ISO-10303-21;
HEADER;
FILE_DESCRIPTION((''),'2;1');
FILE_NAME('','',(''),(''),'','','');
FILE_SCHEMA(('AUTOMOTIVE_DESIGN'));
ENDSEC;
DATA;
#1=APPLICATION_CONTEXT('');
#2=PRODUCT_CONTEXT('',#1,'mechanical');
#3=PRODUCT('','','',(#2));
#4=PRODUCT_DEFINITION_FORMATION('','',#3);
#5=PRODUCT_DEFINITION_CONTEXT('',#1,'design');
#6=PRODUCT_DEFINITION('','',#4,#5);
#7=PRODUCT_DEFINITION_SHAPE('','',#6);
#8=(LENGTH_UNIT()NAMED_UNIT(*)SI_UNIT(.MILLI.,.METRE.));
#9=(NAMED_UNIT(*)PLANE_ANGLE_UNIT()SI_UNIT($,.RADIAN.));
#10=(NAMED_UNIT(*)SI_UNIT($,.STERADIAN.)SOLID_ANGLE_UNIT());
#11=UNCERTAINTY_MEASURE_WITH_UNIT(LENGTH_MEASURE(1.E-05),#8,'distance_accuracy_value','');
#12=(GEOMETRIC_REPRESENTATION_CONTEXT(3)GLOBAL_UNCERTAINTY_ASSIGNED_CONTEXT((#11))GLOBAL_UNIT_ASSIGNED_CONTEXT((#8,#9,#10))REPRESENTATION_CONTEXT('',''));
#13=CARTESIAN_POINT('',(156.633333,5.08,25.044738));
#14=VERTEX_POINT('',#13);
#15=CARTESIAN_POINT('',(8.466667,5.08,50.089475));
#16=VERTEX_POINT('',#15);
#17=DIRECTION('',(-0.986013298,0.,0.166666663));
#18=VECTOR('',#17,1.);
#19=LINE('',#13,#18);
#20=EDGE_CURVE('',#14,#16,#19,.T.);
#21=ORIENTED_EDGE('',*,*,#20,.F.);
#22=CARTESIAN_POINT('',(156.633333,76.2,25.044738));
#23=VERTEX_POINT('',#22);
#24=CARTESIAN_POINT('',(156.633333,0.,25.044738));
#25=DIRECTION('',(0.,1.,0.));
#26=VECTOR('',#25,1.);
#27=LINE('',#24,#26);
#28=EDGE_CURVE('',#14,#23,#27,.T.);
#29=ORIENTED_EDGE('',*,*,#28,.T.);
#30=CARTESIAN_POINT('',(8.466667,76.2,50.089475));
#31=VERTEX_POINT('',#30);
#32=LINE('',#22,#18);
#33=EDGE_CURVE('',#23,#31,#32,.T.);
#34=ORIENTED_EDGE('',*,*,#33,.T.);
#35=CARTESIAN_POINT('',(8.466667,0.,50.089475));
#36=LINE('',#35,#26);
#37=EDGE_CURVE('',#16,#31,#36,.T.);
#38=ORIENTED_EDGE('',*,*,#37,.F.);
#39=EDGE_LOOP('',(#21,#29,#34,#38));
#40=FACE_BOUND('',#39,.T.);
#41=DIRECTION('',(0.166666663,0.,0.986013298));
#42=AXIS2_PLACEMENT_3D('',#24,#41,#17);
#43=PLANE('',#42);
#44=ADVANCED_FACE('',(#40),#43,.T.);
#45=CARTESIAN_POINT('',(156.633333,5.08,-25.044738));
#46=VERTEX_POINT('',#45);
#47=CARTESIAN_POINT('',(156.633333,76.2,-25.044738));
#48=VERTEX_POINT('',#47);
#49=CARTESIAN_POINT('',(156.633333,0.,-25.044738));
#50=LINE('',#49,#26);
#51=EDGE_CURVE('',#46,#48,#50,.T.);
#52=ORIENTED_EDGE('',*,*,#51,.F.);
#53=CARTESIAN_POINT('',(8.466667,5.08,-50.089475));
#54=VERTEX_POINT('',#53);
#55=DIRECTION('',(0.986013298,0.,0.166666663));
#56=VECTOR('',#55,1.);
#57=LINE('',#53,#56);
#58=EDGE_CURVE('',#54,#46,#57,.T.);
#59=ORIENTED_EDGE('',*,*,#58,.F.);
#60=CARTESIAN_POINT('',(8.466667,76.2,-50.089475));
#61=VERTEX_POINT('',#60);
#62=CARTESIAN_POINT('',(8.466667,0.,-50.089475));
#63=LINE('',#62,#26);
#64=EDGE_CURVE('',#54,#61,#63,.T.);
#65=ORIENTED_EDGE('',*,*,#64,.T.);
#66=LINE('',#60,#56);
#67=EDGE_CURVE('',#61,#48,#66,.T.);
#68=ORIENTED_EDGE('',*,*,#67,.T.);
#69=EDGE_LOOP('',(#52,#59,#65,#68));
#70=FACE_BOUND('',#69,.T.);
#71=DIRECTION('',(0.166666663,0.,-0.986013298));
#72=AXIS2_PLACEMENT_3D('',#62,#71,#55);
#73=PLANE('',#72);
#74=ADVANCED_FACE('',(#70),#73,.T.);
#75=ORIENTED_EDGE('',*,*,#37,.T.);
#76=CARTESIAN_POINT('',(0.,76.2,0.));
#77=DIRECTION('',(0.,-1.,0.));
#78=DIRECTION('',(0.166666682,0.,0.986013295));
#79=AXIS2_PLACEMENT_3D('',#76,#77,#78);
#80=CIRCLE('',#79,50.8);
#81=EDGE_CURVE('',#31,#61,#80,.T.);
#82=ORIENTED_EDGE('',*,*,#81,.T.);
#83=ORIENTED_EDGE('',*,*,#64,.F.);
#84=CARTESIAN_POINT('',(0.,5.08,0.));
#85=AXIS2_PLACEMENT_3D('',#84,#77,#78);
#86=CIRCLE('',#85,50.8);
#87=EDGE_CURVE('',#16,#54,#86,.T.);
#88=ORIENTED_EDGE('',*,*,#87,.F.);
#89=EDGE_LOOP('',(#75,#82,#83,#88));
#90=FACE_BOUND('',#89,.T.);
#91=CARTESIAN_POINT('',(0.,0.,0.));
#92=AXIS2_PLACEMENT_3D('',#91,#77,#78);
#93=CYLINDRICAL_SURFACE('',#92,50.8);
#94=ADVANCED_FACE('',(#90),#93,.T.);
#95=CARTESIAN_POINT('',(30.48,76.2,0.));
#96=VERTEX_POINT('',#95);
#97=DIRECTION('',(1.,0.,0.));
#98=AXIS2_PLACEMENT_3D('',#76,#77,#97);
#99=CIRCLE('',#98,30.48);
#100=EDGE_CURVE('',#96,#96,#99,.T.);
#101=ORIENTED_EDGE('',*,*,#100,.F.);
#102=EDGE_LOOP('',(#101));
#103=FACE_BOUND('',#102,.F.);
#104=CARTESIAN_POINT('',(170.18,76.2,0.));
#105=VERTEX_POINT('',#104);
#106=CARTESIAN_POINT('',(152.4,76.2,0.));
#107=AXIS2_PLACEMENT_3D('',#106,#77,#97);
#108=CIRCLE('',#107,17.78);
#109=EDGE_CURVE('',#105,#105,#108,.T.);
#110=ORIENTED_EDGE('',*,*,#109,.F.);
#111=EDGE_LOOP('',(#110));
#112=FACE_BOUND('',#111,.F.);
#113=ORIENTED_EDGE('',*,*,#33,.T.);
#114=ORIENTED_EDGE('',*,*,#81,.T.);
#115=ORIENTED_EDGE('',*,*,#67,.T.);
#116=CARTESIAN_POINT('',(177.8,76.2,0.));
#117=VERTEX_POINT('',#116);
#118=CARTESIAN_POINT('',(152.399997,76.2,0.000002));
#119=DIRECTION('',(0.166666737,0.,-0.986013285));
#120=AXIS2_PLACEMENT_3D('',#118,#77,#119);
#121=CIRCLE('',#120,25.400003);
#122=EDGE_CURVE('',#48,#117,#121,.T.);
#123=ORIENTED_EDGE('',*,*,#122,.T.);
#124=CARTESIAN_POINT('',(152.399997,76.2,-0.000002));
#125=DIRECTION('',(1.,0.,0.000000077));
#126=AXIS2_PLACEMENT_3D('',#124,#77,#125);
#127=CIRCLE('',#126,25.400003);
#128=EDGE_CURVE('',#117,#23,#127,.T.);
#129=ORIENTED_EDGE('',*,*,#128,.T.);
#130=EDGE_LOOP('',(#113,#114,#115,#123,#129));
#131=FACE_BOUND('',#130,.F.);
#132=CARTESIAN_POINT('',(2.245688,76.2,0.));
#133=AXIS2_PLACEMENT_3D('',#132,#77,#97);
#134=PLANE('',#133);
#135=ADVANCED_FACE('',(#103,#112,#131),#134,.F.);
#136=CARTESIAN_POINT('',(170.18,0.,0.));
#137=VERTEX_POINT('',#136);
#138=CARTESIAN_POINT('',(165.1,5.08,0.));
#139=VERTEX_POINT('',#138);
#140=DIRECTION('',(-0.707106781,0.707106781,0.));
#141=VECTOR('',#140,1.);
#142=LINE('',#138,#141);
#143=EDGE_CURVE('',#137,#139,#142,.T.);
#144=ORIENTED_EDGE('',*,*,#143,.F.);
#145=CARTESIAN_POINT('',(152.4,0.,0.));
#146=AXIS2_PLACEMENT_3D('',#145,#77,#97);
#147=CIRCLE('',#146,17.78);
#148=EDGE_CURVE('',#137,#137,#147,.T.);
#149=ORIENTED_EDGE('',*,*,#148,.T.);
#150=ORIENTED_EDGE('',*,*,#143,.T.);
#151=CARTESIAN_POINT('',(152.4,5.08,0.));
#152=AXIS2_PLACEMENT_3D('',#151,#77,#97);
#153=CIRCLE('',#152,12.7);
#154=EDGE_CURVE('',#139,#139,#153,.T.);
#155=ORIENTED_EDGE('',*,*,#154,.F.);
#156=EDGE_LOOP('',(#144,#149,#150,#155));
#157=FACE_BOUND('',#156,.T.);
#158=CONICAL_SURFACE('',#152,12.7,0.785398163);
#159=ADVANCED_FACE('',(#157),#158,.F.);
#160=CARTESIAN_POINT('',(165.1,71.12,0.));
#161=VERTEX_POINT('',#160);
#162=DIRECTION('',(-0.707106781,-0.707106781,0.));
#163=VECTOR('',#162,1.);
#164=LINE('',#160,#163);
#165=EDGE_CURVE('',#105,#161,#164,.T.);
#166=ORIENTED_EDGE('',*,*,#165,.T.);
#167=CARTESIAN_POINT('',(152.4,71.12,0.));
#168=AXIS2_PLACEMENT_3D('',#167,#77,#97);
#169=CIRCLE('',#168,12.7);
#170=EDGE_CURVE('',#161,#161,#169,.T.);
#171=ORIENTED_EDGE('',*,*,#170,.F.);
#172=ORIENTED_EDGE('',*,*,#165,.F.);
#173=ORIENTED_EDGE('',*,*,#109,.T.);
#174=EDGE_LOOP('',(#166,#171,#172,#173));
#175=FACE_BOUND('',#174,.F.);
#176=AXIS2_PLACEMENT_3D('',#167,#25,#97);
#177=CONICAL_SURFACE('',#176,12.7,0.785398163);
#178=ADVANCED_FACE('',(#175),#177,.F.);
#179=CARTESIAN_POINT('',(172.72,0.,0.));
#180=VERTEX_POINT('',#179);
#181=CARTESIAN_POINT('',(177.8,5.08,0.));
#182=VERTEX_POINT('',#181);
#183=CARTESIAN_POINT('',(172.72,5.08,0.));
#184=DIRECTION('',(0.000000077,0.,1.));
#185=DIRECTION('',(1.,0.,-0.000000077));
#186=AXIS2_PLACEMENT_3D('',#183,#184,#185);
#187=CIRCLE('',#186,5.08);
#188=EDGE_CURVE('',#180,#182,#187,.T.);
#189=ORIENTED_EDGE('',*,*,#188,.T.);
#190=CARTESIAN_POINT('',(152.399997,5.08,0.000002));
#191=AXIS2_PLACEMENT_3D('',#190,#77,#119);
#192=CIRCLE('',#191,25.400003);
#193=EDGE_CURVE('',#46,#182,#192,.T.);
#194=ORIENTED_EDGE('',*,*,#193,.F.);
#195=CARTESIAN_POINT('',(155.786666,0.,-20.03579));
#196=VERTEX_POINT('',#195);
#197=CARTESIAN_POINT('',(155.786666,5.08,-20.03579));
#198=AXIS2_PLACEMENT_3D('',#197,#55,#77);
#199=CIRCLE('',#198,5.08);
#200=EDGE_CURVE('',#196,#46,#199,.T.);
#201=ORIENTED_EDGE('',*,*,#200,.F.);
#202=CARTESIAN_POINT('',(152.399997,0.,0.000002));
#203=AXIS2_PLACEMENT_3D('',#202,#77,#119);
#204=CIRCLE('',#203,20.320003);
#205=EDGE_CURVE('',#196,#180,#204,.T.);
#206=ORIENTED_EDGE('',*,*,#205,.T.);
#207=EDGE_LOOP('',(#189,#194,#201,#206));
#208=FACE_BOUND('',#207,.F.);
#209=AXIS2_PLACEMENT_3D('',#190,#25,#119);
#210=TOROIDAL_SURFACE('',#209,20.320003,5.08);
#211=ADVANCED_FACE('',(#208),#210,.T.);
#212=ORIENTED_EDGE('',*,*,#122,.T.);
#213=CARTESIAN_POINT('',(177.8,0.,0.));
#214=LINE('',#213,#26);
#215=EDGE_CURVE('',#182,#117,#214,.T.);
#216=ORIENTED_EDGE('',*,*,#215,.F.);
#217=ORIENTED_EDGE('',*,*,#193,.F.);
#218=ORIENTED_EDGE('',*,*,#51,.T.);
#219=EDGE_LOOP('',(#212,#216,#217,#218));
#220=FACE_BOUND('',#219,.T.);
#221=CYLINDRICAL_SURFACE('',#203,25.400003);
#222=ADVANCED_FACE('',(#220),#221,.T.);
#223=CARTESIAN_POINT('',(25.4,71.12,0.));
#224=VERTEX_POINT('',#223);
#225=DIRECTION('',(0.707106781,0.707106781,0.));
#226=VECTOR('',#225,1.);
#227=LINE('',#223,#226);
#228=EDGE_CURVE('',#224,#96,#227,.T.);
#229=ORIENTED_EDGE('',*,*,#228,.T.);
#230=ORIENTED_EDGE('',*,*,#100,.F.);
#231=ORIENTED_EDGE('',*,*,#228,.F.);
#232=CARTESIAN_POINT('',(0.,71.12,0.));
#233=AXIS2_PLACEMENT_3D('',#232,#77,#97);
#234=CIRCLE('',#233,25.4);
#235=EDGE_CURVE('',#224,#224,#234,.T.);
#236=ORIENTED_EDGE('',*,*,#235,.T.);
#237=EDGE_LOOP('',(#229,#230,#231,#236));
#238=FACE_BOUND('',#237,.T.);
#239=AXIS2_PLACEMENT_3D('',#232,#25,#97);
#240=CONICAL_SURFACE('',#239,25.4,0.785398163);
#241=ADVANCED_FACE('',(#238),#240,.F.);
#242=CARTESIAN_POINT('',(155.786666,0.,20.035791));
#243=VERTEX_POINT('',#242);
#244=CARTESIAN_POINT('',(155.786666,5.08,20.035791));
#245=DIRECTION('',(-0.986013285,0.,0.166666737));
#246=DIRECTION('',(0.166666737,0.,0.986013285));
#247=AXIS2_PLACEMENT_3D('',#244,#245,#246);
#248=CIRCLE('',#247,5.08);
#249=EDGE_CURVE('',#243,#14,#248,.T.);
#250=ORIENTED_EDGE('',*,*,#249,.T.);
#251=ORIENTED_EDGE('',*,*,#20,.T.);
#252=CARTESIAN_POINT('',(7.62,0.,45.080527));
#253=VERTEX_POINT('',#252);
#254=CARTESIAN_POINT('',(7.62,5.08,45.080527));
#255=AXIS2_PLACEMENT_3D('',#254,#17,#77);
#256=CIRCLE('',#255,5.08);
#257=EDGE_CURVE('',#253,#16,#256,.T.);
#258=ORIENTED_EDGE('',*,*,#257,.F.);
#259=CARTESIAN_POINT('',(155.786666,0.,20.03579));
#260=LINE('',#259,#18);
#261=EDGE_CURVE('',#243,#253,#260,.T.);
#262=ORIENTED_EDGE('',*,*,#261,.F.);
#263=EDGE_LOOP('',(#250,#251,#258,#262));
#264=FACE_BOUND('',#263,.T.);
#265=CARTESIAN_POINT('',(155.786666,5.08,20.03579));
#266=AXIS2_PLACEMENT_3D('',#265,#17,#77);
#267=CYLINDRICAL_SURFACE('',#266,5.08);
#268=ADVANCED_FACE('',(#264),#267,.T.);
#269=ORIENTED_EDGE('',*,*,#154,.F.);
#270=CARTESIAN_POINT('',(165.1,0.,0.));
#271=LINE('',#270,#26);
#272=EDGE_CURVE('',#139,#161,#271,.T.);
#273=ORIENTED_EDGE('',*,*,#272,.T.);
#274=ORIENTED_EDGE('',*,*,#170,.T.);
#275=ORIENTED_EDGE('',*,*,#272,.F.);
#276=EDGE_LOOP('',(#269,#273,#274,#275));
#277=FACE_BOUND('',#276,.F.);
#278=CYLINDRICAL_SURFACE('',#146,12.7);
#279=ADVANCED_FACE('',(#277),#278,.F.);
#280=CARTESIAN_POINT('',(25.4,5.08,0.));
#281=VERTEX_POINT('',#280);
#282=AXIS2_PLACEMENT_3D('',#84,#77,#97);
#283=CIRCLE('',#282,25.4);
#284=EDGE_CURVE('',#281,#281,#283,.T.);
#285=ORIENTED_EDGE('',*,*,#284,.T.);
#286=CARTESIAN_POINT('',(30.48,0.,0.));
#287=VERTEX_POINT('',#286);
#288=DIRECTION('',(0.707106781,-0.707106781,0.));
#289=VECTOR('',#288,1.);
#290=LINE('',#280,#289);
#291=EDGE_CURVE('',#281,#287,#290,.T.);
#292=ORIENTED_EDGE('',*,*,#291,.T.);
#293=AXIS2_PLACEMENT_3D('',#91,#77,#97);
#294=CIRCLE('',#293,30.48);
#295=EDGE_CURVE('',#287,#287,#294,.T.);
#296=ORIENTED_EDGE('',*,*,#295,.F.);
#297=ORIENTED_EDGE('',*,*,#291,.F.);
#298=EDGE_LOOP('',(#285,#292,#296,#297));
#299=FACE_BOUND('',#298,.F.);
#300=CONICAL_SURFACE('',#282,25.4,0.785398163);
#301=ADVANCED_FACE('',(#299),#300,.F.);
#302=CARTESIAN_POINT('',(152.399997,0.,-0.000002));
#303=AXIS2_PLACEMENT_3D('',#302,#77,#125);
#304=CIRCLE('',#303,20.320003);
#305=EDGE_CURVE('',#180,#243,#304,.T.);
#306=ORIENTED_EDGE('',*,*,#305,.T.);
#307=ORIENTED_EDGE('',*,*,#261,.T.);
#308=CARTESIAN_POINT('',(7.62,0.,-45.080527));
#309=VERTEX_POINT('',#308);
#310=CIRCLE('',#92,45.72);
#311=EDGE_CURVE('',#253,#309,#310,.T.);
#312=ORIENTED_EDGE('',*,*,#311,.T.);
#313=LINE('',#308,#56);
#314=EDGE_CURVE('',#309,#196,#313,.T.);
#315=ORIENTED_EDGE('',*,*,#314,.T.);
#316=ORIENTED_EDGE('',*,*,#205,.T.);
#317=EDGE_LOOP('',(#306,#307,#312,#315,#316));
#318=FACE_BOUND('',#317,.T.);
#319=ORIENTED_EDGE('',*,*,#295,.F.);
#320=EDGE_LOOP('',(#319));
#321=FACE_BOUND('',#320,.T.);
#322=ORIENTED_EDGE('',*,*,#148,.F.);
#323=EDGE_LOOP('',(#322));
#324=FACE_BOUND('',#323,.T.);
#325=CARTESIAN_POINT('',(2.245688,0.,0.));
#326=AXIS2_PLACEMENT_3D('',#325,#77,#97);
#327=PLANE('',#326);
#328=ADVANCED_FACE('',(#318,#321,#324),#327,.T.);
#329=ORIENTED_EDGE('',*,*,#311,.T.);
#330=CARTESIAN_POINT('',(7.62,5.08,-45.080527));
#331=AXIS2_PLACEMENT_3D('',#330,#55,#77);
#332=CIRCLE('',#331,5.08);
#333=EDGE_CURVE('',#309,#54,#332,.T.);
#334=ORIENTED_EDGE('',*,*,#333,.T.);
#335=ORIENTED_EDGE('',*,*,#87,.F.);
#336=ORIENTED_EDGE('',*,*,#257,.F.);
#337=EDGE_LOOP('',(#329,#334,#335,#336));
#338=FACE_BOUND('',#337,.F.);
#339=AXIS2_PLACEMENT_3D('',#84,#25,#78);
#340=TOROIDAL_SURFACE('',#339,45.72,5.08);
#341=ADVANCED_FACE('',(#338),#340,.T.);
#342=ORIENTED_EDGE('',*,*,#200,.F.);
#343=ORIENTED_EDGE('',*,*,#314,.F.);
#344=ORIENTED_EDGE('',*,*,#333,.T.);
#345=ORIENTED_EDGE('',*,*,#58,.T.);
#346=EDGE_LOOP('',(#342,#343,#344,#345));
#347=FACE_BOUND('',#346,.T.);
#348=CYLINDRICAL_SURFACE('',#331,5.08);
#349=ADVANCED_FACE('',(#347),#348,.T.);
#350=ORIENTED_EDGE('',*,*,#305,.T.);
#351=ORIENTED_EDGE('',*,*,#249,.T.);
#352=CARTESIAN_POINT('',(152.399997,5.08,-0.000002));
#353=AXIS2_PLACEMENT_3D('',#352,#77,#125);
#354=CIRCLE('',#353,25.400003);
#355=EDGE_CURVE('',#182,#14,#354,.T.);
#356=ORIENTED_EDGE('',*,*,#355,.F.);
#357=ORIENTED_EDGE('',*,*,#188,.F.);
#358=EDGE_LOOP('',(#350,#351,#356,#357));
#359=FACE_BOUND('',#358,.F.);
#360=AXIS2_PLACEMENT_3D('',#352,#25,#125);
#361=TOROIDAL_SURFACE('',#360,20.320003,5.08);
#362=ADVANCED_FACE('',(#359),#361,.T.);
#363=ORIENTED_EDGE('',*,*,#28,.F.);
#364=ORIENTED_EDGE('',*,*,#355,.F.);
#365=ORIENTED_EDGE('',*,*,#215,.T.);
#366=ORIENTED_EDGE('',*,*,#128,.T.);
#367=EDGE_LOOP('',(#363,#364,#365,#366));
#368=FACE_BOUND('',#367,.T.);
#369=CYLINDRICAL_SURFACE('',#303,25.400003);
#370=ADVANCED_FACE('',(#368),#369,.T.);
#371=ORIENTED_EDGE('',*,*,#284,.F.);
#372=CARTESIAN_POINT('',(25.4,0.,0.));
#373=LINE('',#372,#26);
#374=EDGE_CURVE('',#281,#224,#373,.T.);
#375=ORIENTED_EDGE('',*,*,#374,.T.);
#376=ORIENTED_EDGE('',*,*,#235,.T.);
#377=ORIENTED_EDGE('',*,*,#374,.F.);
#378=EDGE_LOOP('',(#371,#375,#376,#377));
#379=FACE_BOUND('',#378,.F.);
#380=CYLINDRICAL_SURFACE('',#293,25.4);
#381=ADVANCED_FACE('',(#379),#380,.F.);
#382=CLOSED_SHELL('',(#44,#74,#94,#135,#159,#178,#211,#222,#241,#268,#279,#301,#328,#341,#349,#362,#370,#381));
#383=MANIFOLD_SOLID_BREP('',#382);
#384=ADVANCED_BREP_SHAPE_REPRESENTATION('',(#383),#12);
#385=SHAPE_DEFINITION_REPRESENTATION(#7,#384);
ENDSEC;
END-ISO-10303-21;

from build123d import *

# Parameters (mm, degrees)
F0_R     = 25.4
F0_R_2   = 12.7
F1_DEPTH = 76.2
F2_SIZE  = 5.08
F3_SIZE  = 5.08
F4_R     = 5.08


with BuildPart() as f1:
    # F0 (on Front) → F1 (new body)
    with BuildSketch(Plane.XZ):
        with BuildLine():
            ThreePointArc((8.466667, -50.089475), (38.799141, -32.791259), (50.8, 0))
            ThreePointArc((50.8, 0), (38.799141, 32.791259), (8.466667, 50.089475))
            ThreePointArc((8.466667, 50.089475), (-50.8, 0), (8.466667, -50.089475))
        make_face()
        Circle(F0_R, mode=Mode.SUBTRACT)
        with BuildLine():
            ThreePointArc((8.466667, 50.089475), (38.799141, 32.791259), (50.8, 0))
            ThreePointArc((50.8, 0), (38.799141, -32.791259), (8.466667, -50.089475))
            Line((8.466667, -50.089475), (156.633333, -25.044738))
            ThreePointArc((156.633333, -25.044738), (127, 0), (156.633333, 25.044738))
            Line((156.633333, 25.044738), (8.466667, 50.089475))
        make_face()
        with BuildLine():
            ThreePointArc((177.8, 0), (171.79957, 16.395629), (156.633333, 25.044738))
            ThreePointArc((156.633333, 25.044738), (127, 0), (156.633333, -25.044738))
            ThreePointArc((156.633333, -25.044738), (171.79957, -16.395629), (177.8, 0))
        make_face()
        with Locations((152.4, 0)):
            Circle(F0_R_2, mode=Mode.SUBTRACT)
    extrude(amount=-F1_DEPTH)

    # F2
    f2_edges = [f1.edges().sort_by_distance(p)[0] for p in [
        (-25.4, 0, 0),
        (-25.4, 76.2, 0),
    ]]
    chamfer(f2_edges, length=F2_SIZE)

    # F3
    f3_edges = [f1.edges().sort_by_distance(p)[0] for p in [
        (139.7, 76.2, 0),
        (139.7, 0, 0),
    ]]
    chamfer(f3_edges, length=F3_SIZE)

    # F4
    f4_edges = [f1.edges().sort_by_distance(p)[0] for p in [
        (82.55, 0, -37.567107),
    ]]
    fillet(f4_edges, radius=F4_R)


solid = f1.part
